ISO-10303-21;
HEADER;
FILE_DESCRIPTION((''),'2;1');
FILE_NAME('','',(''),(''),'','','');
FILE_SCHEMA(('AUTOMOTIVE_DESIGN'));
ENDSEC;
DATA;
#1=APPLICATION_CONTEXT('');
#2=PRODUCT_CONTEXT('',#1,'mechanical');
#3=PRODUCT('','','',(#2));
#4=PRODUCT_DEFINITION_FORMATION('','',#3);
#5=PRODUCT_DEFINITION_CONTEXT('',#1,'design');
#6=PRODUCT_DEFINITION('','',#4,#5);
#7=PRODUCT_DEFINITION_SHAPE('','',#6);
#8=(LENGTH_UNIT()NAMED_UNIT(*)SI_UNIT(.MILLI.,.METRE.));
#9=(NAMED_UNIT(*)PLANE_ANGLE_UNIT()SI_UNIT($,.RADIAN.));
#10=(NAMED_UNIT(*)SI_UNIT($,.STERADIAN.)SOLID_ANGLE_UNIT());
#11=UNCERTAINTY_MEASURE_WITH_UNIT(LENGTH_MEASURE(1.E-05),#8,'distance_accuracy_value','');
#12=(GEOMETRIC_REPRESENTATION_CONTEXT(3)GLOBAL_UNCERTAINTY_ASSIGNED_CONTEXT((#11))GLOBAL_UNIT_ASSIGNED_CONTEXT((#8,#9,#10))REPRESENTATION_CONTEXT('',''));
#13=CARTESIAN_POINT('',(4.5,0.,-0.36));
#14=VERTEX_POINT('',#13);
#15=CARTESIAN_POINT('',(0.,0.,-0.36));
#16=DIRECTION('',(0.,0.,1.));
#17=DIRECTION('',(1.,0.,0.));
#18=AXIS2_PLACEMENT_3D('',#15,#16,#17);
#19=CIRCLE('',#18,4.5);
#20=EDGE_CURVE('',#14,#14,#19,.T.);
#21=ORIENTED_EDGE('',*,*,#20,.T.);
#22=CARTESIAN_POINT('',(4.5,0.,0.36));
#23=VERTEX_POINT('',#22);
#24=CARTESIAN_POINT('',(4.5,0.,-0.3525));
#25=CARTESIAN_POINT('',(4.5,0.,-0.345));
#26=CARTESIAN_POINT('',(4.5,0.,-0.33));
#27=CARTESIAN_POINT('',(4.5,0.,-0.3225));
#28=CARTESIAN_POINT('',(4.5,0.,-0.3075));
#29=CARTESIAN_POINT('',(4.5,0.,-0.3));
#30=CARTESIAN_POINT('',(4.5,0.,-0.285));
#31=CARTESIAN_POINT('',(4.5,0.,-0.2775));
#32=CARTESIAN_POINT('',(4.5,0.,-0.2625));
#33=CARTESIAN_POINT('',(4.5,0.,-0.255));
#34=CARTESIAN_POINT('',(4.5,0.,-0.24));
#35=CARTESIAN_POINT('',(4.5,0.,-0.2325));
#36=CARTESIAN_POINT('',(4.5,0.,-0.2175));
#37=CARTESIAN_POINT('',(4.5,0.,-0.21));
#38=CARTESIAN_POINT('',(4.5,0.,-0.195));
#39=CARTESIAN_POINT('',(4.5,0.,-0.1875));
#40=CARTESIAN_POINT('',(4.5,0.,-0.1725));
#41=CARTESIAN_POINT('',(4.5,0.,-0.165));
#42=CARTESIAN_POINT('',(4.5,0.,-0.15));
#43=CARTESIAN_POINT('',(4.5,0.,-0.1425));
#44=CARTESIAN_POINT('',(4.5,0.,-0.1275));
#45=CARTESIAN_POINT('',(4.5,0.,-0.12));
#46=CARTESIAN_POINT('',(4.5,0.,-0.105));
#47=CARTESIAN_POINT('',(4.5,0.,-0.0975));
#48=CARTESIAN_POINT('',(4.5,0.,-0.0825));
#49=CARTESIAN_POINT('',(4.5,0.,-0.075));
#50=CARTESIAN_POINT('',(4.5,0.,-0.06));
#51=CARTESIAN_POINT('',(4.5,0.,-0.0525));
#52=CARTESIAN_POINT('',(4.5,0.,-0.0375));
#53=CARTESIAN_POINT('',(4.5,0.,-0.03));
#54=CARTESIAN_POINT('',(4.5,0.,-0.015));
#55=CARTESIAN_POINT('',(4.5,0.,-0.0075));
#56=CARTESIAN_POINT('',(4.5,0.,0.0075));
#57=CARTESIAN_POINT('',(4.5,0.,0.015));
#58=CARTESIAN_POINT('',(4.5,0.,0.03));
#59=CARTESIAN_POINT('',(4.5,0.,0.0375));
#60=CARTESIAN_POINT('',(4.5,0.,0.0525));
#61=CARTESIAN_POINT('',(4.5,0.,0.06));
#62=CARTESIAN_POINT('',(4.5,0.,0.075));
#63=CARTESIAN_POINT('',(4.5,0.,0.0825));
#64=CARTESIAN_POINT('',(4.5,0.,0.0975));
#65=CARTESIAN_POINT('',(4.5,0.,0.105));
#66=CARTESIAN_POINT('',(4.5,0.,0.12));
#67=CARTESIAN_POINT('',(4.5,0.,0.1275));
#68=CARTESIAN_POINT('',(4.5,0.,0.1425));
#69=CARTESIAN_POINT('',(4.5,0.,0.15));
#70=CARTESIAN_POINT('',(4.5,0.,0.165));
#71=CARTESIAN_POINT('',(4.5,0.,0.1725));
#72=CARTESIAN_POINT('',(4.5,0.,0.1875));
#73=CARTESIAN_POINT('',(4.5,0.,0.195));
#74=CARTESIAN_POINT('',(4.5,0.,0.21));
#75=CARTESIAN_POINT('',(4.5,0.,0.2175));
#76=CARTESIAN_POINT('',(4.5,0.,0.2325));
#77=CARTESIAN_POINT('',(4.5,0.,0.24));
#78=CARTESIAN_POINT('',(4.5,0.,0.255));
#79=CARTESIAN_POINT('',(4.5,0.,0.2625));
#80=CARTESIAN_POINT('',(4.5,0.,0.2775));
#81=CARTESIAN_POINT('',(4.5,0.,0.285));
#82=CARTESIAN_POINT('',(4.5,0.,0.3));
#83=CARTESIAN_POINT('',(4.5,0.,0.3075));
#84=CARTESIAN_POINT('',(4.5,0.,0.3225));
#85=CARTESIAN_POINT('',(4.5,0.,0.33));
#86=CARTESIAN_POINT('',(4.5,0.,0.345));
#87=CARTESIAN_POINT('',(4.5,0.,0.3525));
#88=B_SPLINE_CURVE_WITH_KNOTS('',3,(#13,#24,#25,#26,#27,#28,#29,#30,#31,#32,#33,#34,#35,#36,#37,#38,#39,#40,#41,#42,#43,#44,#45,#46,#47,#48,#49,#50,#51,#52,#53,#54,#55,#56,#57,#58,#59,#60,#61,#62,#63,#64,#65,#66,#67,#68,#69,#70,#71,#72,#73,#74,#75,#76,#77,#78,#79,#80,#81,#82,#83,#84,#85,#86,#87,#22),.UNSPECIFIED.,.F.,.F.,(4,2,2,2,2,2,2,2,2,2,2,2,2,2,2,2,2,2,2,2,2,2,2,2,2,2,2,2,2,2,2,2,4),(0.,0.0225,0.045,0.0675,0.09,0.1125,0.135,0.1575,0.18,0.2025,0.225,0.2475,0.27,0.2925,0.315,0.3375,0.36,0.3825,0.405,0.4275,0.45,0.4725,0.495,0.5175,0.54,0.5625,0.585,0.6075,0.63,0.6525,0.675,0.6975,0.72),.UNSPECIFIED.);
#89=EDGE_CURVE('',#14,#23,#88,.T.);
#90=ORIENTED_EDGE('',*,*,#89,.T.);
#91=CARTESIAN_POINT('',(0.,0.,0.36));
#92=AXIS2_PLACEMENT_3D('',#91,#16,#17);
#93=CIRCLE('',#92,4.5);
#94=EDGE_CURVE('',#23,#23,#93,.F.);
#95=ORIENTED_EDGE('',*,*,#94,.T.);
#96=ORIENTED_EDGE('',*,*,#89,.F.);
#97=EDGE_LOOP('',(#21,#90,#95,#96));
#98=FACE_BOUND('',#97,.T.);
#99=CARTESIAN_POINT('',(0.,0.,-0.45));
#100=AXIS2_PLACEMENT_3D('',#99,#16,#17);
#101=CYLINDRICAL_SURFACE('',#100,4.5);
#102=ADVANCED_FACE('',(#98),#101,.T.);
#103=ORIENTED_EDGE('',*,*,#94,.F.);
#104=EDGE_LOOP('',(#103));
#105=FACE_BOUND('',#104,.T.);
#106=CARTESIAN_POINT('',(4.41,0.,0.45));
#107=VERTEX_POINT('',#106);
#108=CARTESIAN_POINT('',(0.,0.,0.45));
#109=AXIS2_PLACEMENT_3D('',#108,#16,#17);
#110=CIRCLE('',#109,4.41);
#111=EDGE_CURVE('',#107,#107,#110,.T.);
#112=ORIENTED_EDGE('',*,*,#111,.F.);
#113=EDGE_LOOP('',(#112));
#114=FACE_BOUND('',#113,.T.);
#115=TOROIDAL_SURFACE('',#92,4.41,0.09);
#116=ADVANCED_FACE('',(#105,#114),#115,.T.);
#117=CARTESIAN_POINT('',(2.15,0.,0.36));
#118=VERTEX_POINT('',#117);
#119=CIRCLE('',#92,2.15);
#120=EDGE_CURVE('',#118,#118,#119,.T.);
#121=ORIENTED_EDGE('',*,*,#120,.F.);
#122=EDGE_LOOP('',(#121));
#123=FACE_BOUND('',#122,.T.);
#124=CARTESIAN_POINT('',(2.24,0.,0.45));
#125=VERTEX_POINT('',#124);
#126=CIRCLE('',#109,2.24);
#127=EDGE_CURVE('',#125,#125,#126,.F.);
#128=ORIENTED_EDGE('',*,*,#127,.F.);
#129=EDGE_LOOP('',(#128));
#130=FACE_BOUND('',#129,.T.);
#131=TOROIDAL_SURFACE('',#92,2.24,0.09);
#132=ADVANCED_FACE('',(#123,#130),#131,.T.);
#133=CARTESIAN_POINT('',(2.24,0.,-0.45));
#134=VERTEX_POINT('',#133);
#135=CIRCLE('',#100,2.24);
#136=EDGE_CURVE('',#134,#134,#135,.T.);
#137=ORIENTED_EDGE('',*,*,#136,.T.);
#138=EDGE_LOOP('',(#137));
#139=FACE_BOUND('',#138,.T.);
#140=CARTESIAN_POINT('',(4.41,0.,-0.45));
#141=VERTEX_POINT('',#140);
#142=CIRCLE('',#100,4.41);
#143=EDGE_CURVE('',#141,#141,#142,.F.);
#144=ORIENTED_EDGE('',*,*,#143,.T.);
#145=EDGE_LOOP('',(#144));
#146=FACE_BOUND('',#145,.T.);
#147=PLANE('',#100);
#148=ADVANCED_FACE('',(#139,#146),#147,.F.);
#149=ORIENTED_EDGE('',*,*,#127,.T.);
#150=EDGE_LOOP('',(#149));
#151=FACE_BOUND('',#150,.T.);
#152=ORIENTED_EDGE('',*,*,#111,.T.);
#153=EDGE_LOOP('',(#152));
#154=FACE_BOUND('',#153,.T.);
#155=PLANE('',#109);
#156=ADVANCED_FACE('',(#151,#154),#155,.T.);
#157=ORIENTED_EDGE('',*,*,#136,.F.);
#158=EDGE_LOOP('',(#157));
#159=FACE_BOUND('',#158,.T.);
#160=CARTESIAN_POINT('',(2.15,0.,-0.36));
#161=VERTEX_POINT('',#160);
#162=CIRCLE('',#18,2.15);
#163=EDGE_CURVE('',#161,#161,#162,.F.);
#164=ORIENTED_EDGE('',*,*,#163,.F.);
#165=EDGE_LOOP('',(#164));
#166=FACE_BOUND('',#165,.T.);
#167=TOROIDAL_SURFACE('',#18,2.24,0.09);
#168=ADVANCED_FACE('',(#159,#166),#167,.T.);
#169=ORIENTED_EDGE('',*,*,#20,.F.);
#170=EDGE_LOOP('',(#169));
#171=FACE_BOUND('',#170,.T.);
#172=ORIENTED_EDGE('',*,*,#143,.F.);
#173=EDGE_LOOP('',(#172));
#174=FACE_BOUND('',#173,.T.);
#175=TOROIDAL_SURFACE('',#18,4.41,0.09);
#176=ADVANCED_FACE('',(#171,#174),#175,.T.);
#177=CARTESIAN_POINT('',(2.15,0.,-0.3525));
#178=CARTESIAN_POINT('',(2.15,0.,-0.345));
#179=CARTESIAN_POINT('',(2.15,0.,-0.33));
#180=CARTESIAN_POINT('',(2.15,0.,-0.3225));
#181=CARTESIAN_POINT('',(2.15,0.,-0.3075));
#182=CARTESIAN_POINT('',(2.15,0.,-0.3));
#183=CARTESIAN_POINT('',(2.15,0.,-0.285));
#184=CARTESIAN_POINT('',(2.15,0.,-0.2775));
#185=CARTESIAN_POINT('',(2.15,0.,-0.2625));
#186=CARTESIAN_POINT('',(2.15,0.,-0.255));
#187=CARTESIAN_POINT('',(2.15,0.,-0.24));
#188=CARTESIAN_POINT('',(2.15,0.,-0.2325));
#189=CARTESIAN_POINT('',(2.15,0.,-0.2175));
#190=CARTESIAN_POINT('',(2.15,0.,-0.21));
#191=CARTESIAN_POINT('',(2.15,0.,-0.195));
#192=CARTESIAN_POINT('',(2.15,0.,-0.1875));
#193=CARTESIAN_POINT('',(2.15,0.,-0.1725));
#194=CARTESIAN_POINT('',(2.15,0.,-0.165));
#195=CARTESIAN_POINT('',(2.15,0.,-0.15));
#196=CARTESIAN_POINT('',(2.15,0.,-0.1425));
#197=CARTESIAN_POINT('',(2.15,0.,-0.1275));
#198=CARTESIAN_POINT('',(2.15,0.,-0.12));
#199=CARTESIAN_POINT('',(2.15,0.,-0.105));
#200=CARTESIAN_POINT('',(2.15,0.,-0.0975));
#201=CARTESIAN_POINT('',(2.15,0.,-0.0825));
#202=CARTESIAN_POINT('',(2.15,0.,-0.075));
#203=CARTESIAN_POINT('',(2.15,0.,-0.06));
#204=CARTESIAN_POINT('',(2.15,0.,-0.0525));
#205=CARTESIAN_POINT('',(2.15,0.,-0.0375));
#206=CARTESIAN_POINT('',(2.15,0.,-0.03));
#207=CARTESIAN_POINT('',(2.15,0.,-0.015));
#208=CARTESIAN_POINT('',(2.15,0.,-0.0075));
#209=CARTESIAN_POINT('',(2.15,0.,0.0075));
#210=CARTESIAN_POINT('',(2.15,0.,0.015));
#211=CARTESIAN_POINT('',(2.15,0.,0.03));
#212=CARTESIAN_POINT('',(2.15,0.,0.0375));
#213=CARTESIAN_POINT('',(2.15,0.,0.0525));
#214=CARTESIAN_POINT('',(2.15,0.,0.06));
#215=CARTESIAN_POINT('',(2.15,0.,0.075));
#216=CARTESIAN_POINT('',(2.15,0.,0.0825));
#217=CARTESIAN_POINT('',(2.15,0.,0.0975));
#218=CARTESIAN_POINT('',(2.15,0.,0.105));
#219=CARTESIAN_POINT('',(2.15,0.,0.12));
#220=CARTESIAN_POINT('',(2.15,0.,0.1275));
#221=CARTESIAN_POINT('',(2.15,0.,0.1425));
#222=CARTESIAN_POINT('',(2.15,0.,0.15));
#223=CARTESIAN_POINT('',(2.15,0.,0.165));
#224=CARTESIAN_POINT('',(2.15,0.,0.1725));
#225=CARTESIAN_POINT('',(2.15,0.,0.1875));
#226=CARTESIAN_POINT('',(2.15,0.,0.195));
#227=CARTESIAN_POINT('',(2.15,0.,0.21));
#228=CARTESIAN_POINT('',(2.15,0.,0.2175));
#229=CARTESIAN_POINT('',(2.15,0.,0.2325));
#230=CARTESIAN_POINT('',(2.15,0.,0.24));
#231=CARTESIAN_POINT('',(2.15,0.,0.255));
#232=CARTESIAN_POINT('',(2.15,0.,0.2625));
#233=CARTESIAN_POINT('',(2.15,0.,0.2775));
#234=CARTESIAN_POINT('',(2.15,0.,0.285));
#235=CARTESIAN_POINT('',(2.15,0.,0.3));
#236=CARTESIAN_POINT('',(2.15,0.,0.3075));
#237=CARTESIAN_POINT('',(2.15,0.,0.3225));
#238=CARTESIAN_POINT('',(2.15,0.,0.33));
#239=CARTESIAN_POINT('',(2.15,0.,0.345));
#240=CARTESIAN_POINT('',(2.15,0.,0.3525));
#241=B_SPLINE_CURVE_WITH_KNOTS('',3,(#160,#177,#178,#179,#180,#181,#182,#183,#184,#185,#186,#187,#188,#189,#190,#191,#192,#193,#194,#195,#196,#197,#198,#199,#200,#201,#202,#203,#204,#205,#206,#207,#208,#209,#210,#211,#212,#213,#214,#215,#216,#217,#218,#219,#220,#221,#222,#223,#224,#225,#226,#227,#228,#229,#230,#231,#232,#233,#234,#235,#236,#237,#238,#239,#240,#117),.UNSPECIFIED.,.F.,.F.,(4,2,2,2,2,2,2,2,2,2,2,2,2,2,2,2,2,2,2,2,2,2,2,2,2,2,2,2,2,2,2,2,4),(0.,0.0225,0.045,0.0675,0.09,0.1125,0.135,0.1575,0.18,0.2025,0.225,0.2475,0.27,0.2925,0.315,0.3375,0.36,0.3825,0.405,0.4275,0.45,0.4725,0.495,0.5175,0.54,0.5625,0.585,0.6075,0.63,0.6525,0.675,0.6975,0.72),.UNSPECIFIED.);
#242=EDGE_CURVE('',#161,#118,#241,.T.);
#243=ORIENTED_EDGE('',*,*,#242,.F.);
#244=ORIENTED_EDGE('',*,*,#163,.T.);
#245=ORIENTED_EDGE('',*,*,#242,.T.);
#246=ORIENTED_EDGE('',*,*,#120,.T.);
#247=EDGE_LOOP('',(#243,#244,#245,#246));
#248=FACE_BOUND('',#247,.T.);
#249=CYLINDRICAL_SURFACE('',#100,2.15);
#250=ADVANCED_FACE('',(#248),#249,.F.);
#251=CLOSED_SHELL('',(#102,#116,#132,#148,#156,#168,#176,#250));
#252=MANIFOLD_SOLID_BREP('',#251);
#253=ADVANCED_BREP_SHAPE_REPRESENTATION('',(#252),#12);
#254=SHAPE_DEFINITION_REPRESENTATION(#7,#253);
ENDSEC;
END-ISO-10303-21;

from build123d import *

# Parameters (mm, degrees)
BOSS_EXTRUDE1_DEPTH      = 0.45
BOSS_EXTRUDE1_DEPTH_BACK = 0.45
SKETCH3_R                = 4.5
SKETCH3_R_2              = 2.15
FILLET1_R                = 0.09


with BuildPart() as part:
    # Sketch3 → Boss-Extrude1 (new, two sides: drawn at the far end of the back side and taken through both)
    with BuildSketch(Plane.XY.offset(-BOSS_EXTRUDE1_DEPTH_BACK)):
        Circle(SKETCH3_R)
        Circle(SKETCH3_R_2, mode=Mode.SUBTRACT)
    extrude(amount=BOSS_EXTRUDE1_DEPTH + BOSS_EXTRUDE1_DEPTH_BACK)

    # Fillet1
    fillet1_edges = [part.edges().sort_by_distance(p)[0] for p in [
        (-4.5, 0, -0.45),
        (-2.15, 0, -0.45),
        (-4.5, 0, 0.45),
        (-2.15, 0, 0.45),
    ]]
    fillet(fillet1_edges, radius=FILLET1_R)


solid = part.part
